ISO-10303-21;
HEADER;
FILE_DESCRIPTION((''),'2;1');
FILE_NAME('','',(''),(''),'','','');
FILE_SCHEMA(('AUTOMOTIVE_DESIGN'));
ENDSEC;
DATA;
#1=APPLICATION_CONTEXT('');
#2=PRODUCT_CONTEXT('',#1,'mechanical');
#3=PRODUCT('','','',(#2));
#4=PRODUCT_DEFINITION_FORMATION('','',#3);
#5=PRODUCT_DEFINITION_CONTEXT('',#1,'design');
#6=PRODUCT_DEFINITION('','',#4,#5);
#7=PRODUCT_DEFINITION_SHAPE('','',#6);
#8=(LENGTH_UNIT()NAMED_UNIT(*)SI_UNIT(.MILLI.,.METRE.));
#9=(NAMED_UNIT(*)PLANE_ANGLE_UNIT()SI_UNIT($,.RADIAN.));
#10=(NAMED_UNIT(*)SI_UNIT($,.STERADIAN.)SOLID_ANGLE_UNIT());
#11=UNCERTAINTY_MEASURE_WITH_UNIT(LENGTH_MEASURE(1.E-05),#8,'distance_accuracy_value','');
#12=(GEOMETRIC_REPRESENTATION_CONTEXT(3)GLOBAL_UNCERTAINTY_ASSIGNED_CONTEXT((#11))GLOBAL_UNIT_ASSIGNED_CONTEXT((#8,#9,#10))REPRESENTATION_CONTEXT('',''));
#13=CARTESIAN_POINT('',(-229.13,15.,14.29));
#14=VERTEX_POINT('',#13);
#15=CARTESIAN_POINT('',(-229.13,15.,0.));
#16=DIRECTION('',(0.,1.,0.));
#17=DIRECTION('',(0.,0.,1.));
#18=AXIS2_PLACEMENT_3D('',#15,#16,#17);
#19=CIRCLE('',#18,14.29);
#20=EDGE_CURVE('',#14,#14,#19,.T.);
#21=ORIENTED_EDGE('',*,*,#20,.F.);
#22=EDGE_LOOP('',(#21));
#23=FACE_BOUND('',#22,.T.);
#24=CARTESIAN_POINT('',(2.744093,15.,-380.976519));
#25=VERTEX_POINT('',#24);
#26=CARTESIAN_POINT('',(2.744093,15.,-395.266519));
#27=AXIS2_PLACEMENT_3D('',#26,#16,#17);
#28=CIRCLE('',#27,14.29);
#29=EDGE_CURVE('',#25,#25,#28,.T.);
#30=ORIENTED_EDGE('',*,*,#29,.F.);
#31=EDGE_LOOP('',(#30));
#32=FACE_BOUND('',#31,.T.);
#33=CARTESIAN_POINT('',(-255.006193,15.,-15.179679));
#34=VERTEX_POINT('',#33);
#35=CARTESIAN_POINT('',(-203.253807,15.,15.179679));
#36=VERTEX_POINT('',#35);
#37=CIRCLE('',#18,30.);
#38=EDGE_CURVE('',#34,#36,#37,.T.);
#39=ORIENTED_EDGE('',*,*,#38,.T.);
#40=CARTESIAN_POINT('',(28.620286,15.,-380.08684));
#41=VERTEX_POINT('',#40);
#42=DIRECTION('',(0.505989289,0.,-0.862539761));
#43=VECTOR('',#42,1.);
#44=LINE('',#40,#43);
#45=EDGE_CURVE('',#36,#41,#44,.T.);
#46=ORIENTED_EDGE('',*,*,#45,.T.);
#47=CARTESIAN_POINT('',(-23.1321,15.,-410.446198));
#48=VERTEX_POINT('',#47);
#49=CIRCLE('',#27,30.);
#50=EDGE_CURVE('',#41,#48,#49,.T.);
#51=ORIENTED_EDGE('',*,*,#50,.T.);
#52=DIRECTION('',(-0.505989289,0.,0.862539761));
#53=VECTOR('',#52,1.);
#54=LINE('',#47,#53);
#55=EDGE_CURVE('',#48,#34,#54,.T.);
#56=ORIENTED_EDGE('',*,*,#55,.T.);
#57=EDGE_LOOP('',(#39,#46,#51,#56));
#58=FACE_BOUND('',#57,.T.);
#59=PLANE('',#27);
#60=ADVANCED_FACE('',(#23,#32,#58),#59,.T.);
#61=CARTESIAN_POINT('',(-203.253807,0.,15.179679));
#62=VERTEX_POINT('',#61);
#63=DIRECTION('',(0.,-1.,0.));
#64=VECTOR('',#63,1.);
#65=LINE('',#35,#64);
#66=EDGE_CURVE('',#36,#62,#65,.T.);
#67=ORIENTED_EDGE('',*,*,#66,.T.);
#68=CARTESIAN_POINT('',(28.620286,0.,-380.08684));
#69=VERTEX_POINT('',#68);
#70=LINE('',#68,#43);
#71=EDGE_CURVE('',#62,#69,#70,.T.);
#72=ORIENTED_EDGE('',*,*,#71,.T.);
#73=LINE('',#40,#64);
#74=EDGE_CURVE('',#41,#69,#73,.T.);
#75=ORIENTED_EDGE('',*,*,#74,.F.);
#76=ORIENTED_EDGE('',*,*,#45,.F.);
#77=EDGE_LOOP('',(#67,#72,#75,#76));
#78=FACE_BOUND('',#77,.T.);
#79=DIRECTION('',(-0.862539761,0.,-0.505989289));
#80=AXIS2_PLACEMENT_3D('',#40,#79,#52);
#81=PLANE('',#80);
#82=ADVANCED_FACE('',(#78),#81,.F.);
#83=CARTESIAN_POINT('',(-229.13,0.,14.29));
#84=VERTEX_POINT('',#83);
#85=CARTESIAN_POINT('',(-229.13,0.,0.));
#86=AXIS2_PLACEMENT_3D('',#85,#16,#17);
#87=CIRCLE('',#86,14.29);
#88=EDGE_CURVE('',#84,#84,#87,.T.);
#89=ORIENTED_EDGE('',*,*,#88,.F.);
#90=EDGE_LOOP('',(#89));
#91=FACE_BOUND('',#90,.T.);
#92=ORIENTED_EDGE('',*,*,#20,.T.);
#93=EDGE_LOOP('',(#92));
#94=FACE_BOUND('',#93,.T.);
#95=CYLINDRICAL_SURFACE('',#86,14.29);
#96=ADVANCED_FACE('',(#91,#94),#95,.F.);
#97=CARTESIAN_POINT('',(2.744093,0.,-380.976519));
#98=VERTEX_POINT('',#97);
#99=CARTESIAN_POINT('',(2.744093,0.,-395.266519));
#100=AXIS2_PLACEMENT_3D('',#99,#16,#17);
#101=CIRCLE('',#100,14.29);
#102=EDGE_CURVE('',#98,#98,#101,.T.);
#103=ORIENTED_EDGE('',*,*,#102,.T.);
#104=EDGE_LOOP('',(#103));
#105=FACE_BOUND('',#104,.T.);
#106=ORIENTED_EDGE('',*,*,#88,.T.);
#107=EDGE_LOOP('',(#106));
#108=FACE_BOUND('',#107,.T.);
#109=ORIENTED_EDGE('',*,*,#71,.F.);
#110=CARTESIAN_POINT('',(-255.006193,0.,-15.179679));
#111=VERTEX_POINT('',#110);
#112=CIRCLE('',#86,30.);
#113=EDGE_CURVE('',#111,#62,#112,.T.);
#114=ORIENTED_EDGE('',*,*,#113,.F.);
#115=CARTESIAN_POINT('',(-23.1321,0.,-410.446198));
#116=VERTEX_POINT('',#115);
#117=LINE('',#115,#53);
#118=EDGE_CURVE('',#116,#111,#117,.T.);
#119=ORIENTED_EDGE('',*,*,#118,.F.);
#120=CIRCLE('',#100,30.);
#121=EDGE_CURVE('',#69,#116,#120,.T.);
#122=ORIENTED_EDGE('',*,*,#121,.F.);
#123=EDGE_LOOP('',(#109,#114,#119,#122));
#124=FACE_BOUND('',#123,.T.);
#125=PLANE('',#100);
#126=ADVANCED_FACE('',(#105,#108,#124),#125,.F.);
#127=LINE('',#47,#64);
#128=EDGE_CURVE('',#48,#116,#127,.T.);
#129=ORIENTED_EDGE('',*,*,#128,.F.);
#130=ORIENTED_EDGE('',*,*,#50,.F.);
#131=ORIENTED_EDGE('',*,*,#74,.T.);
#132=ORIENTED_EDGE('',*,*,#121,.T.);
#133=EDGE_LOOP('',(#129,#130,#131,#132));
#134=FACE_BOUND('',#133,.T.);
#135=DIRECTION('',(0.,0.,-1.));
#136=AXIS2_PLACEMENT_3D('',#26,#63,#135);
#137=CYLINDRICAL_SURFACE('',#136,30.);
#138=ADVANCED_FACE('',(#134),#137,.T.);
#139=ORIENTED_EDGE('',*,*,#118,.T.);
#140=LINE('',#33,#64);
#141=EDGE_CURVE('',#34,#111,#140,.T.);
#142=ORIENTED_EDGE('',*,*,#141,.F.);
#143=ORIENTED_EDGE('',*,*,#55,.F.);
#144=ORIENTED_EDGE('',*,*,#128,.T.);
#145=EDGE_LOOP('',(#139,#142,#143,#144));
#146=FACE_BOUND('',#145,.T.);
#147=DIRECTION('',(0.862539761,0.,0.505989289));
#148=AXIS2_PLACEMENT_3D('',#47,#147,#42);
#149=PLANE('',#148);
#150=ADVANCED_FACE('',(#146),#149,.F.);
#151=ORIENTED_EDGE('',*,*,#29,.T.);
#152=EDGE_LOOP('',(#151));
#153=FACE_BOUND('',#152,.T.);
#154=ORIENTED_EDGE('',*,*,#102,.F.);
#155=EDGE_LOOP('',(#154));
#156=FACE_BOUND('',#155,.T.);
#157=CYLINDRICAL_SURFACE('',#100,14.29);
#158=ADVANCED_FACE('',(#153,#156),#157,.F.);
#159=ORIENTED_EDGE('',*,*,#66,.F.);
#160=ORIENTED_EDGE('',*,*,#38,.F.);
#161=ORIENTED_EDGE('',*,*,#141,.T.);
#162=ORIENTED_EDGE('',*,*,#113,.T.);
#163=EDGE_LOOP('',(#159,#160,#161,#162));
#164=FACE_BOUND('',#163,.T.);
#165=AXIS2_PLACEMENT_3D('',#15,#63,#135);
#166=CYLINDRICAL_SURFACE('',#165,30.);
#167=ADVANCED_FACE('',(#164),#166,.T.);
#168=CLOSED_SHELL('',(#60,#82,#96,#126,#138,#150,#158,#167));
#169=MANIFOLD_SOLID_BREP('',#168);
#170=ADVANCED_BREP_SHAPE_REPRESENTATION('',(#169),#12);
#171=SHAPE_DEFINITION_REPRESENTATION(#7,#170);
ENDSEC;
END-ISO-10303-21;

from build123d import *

# Parameters (mm, degrees)
SALIENTE_EXTRUIR1_DEPTH = 15
CROQUIS3_R              = 14.29
CORTAR_EXTRUIR2_DEPTH   = 499.221807184


with BuildPart() as part:
    # Croquis1 → Saliente-Extruir1 (new body)
    with BuildSketch(Plane(origin=(0, 0, 0), x_dir=(1, 0, 0), z_dir=(0, 1, 0))):
        with BuildLine():
            Line((28.62028588, 380.086840422), (-203.253807163, -15.179678662))
            ThreePointArc((-203.253807163, -15.179678662), (-244.309678662, -25.876192837), (-255.006192837, 15.179678662))
            Line((-255.006192837, 15.179678662), (-23.132099794, 410.446197745))
            ThreePointArc((-23.132099794, 410.446197745), (17.923771705, 421.142711921), (28.62028588, 380.086840422))
        make_face()
    extrude(amount=SALIENTE_EXTRUIR1_DEPTH)

    # Croquis3 → Cortar-Extruir2 (cut, through all)
    with BuildSketch(Plane(origin=(0, 15, 0), x_dir=(1, 0, 0), z_dir=(0, 1, 0))):
        with Locations(Location((-229.13, 0, 0), (0, 0, 270))):
            Circle(CROQUIS3_R)
        with Locations(Location((2.744093043, 395.266519084, 0), (0, 0, 270))):
            Circle(CROQUIS3_R)
    extrude(amount=-CORTAR_EXTRUIR2_DEPTH, mode=Mode.SUBTRACT)


solid = part.part
